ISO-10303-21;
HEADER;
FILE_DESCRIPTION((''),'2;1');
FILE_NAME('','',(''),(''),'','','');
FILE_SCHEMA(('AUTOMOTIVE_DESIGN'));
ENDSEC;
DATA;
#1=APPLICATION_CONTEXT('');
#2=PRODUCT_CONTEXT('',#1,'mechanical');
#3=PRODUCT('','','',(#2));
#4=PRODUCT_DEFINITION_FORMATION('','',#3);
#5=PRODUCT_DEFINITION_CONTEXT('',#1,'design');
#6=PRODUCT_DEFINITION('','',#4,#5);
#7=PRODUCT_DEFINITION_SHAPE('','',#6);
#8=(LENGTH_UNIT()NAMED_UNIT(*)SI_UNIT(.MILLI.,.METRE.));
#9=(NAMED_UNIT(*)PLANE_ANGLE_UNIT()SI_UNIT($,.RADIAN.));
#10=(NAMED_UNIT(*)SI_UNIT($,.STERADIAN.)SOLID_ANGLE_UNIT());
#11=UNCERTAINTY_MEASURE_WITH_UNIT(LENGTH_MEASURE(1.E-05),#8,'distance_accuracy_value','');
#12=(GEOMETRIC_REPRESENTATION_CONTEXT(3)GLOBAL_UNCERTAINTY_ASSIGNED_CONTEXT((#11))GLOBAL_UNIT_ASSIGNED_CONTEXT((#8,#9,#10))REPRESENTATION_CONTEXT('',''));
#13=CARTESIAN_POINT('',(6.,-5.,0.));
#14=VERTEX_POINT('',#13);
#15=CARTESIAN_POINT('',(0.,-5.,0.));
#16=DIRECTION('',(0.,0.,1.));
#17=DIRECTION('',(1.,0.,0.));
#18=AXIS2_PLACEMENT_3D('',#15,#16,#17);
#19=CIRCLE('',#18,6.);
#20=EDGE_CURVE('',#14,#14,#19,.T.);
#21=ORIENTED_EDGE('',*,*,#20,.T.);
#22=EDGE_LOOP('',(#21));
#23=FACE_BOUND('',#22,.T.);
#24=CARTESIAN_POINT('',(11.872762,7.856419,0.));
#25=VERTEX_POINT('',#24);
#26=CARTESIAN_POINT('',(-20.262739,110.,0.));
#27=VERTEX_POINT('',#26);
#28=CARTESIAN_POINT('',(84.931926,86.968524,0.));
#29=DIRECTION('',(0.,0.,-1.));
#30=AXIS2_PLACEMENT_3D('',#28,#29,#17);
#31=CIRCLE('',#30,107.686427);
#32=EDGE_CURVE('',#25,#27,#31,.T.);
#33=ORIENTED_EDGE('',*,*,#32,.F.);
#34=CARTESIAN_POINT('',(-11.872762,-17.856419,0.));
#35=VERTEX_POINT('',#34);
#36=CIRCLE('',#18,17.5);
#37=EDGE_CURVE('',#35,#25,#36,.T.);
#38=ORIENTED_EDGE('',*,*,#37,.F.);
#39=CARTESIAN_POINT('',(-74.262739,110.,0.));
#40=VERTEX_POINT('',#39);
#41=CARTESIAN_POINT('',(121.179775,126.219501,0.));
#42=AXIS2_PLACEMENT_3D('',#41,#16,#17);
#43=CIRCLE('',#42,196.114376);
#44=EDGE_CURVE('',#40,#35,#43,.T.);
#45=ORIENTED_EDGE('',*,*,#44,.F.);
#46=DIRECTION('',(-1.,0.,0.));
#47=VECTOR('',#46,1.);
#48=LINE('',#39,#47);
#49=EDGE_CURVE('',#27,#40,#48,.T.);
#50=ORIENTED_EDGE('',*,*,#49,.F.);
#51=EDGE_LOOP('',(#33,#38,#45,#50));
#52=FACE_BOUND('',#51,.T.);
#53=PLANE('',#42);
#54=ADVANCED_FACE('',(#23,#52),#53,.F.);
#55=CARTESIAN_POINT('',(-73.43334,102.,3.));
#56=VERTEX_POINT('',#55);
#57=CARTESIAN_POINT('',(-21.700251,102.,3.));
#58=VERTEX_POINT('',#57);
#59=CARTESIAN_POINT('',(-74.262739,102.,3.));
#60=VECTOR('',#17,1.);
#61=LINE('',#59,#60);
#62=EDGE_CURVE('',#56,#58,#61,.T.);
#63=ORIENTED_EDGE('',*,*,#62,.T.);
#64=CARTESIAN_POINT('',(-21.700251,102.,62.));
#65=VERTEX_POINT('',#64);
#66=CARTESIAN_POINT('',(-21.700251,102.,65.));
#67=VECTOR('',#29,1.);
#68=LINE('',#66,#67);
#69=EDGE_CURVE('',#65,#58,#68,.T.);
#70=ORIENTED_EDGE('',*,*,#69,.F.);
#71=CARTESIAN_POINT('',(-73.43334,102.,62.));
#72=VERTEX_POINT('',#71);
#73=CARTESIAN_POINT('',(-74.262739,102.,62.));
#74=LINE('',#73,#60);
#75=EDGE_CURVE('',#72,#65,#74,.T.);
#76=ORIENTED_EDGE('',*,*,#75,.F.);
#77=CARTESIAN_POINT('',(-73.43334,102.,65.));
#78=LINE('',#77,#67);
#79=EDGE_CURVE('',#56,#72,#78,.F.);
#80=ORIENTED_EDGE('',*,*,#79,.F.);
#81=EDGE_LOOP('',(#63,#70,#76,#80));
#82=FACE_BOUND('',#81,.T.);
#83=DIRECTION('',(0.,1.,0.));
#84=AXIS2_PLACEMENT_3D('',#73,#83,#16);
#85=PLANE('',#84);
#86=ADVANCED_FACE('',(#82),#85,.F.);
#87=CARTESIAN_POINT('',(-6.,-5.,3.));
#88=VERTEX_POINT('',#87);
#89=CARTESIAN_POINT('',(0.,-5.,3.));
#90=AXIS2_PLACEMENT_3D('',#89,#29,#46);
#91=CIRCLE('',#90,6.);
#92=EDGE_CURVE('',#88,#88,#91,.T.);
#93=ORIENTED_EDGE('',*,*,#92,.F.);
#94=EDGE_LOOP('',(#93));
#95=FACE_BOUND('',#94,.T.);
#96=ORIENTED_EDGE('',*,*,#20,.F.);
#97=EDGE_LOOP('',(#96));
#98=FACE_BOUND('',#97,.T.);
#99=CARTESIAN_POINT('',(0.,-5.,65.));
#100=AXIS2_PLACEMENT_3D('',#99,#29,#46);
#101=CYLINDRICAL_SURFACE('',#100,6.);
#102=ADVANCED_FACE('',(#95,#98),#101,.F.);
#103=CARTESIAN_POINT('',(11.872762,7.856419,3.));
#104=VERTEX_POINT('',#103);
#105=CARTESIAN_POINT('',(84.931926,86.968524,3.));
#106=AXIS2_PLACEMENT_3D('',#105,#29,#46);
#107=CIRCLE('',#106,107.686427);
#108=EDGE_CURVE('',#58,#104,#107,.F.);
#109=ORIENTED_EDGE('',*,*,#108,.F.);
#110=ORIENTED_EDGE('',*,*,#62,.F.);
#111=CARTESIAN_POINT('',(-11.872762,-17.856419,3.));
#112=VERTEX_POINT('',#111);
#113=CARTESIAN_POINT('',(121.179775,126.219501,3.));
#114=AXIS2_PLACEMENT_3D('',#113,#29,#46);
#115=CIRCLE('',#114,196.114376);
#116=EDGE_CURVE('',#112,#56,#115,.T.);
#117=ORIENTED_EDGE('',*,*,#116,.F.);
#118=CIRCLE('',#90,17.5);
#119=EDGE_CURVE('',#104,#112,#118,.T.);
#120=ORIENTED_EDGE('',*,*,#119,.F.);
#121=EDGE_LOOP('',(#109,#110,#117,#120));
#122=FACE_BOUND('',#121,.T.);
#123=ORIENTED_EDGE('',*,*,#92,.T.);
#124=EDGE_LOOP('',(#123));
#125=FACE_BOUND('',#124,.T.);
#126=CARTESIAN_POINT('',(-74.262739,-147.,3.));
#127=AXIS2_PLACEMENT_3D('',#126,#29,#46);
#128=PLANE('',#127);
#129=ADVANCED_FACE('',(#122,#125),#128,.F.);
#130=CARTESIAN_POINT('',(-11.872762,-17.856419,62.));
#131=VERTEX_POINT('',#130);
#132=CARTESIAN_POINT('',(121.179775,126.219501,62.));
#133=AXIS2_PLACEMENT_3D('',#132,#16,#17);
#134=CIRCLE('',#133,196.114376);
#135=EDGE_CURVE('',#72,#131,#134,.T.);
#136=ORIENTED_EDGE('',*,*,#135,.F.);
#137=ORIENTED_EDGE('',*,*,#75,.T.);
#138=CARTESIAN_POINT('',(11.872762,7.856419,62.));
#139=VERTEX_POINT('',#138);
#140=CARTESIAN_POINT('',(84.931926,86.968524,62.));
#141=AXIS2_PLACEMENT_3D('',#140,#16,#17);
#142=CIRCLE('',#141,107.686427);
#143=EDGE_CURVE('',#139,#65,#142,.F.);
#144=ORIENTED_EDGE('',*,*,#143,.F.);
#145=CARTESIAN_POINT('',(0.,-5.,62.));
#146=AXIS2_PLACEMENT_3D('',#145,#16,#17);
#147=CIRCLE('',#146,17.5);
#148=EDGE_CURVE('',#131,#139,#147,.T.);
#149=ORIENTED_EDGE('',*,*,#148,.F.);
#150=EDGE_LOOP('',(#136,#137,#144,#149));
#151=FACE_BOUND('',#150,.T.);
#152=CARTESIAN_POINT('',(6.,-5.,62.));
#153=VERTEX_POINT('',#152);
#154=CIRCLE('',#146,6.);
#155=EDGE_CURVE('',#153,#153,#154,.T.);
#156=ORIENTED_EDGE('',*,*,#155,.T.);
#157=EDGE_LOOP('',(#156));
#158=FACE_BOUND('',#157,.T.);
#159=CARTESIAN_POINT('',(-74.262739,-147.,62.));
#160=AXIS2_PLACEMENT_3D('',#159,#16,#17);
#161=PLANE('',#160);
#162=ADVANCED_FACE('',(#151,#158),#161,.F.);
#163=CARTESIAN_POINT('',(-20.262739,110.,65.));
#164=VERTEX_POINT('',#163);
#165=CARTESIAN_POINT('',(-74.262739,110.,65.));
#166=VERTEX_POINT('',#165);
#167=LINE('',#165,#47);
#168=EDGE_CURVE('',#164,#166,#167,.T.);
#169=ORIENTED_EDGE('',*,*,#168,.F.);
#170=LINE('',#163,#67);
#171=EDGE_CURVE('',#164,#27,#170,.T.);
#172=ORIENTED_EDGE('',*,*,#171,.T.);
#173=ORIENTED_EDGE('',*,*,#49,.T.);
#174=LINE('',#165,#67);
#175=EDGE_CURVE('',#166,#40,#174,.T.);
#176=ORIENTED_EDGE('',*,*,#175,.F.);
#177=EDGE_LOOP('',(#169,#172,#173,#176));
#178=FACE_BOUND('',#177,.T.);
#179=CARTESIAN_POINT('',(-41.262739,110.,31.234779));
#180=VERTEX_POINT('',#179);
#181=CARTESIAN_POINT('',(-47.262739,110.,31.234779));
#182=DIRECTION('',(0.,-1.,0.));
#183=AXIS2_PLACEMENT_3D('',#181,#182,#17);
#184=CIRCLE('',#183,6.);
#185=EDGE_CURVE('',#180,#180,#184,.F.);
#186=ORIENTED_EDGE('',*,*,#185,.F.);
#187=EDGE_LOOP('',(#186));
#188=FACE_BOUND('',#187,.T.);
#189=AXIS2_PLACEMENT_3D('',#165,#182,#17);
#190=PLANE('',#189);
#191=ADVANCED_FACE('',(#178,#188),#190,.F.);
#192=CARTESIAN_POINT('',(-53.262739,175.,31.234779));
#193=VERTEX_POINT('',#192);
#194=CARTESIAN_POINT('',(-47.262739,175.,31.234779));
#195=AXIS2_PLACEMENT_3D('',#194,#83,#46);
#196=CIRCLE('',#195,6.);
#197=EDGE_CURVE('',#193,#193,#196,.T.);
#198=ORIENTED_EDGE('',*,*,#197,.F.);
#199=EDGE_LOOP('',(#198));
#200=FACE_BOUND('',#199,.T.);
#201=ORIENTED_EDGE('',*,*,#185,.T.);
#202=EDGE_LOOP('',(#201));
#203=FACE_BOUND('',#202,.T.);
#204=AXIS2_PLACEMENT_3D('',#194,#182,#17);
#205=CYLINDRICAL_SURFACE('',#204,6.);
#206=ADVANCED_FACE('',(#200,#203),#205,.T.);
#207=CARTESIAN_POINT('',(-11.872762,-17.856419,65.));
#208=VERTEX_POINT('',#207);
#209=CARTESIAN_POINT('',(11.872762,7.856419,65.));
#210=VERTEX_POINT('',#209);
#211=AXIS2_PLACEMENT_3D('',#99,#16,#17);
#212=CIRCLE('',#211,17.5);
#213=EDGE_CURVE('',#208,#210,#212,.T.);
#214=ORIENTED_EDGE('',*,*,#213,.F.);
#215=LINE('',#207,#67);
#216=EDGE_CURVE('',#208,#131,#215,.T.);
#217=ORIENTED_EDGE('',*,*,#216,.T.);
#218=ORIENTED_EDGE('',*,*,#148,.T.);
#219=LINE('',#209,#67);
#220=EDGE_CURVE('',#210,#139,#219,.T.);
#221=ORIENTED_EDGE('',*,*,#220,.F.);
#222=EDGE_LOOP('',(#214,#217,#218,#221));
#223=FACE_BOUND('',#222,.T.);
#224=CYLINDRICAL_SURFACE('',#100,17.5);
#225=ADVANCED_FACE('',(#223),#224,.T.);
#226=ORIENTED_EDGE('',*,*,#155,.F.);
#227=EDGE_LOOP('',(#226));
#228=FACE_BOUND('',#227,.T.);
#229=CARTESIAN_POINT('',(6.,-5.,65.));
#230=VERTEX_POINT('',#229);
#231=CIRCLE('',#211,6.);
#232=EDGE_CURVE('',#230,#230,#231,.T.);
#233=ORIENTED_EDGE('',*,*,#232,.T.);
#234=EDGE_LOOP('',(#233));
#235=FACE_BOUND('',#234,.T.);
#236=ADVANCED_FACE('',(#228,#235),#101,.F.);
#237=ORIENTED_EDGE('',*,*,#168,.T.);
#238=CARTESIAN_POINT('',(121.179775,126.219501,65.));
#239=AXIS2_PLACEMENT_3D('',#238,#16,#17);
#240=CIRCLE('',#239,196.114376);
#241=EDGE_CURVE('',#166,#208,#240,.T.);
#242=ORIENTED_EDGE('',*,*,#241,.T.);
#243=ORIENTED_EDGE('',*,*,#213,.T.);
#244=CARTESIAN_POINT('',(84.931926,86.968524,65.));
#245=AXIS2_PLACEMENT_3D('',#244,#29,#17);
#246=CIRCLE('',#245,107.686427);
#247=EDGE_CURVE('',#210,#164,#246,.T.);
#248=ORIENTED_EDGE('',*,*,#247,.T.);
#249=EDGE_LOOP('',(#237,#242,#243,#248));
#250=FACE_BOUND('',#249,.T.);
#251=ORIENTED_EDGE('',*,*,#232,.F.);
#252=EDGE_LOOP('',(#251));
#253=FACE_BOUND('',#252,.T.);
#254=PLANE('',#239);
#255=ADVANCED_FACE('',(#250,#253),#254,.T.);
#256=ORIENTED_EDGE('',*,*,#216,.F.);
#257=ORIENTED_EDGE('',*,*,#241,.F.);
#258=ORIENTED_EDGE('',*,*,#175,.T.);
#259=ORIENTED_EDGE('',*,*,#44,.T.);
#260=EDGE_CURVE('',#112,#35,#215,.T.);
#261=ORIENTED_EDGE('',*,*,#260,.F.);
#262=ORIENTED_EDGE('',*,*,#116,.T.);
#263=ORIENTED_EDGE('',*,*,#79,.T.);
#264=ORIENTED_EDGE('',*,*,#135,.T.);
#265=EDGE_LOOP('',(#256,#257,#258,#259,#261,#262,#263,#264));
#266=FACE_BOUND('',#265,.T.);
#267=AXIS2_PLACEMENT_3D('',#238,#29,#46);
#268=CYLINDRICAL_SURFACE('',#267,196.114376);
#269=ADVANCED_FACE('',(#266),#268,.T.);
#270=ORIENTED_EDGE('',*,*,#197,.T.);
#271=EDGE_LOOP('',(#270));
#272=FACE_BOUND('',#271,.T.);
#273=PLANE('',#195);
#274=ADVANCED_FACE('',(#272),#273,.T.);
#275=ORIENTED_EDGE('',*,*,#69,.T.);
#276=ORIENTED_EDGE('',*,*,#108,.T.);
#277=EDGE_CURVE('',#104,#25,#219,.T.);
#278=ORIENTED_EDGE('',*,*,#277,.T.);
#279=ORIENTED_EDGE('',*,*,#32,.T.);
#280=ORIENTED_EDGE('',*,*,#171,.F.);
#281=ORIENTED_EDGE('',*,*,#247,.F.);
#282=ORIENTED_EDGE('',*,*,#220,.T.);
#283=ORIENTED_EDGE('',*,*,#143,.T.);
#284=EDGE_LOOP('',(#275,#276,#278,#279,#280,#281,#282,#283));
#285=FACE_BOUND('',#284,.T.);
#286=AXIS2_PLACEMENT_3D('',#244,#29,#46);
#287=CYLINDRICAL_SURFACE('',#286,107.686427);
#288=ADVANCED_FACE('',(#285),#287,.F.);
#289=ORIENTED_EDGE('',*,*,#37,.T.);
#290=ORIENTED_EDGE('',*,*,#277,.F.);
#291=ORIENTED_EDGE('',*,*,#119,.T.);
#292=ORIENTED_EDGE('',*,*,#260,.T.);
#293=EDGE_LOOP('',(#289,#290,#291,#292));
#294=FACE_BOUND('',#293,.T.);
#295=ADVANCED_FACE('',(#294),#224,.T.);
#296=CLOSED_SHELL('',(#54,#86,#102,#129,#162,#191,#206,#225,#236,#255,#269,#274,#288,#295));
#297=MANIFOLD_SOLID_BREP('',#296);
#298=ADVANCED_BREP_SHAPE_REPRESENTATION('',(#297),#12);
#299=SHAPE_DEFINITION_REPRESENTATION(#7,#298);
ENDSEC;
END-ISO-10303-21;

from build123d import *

# Parameters (mm, degrees)
CROQUIS1_R                 = 6
SALIENTE_EXTRUIR1_DEPTH    = 65
CORTAR_EXTRUIR1_DEPTH      = 148.783471464
CORTAR_EXTRUIR1_DEPTH_BACK = 148.783471464
CROQUIS2_W                 = 59
CROQUIS2_H                 = 249
CROQUIS3_R                 = 6
SALIENTE_EXTRUIR2_DEPTH    = 65


with BuildPart() as part:
    # Croquis1 → Saliente-Extruir1 (new body)
    with BuildSketch(Plane.XY):
        with BuildLine():
            Line((-74.262739229, 110), (-20.262739229, 110))
            ThreePointArc((-20.262739229, 110), (-17.790684157, 54.650853089), (11.872762465, 7.856419076))
            ThreePointArc((11.872762465, 7.856419076), (12.856419076, -16.872762465), (-11.872762465, -17.856419076))
            ThreePointArc((-11.872762465, -17.856419076), (-55.070234136, 40.214949961), (-74.262739229, 110))
        make_face()
        with Locations((0, -5)):
            Circle(CROQUIS1_R, mode=Mode.SUBTRACT)
    extrude(amount=SALIENTE_EXTRUIR1_DEPTH)

    # Croquis2 → Cortar-Extruir1 (cut, two sides: drawn at the far end of the back side and taken through both)
    with BuildSketch(Plane(origin=(0, 0, 0), x_dir=(0, 0, -1), z_dir=(1, 0, 0)).offset(-CORTAR_EXTRUIR1_DEPTH_BACK)):
        with Locations((-32.5, -22.5)):
            Rectangle(CROQUIS2_W, CROQUIS2_H)
    extrude(amount=CORTAR_EXTRUIR1_DEPTH + CORTAR_EXTRUIR1_DEPTH_BACK, mode=Mode.SUBTRACT)

    # Croquis3 → Saliente-Extruir2 (add)
    with BuildSketch(Plane(origin=(0, 110, 0), x_dir=(1, 0, 0), z_dir=(0, 1, 0))):
        with Locations((-47.262739229, -31.234778604)):
            Circle(CROQUIS3_R)
    extrude(amount=SALIENTE_EXTRUIR2_DEPTH)


solid = part.part
